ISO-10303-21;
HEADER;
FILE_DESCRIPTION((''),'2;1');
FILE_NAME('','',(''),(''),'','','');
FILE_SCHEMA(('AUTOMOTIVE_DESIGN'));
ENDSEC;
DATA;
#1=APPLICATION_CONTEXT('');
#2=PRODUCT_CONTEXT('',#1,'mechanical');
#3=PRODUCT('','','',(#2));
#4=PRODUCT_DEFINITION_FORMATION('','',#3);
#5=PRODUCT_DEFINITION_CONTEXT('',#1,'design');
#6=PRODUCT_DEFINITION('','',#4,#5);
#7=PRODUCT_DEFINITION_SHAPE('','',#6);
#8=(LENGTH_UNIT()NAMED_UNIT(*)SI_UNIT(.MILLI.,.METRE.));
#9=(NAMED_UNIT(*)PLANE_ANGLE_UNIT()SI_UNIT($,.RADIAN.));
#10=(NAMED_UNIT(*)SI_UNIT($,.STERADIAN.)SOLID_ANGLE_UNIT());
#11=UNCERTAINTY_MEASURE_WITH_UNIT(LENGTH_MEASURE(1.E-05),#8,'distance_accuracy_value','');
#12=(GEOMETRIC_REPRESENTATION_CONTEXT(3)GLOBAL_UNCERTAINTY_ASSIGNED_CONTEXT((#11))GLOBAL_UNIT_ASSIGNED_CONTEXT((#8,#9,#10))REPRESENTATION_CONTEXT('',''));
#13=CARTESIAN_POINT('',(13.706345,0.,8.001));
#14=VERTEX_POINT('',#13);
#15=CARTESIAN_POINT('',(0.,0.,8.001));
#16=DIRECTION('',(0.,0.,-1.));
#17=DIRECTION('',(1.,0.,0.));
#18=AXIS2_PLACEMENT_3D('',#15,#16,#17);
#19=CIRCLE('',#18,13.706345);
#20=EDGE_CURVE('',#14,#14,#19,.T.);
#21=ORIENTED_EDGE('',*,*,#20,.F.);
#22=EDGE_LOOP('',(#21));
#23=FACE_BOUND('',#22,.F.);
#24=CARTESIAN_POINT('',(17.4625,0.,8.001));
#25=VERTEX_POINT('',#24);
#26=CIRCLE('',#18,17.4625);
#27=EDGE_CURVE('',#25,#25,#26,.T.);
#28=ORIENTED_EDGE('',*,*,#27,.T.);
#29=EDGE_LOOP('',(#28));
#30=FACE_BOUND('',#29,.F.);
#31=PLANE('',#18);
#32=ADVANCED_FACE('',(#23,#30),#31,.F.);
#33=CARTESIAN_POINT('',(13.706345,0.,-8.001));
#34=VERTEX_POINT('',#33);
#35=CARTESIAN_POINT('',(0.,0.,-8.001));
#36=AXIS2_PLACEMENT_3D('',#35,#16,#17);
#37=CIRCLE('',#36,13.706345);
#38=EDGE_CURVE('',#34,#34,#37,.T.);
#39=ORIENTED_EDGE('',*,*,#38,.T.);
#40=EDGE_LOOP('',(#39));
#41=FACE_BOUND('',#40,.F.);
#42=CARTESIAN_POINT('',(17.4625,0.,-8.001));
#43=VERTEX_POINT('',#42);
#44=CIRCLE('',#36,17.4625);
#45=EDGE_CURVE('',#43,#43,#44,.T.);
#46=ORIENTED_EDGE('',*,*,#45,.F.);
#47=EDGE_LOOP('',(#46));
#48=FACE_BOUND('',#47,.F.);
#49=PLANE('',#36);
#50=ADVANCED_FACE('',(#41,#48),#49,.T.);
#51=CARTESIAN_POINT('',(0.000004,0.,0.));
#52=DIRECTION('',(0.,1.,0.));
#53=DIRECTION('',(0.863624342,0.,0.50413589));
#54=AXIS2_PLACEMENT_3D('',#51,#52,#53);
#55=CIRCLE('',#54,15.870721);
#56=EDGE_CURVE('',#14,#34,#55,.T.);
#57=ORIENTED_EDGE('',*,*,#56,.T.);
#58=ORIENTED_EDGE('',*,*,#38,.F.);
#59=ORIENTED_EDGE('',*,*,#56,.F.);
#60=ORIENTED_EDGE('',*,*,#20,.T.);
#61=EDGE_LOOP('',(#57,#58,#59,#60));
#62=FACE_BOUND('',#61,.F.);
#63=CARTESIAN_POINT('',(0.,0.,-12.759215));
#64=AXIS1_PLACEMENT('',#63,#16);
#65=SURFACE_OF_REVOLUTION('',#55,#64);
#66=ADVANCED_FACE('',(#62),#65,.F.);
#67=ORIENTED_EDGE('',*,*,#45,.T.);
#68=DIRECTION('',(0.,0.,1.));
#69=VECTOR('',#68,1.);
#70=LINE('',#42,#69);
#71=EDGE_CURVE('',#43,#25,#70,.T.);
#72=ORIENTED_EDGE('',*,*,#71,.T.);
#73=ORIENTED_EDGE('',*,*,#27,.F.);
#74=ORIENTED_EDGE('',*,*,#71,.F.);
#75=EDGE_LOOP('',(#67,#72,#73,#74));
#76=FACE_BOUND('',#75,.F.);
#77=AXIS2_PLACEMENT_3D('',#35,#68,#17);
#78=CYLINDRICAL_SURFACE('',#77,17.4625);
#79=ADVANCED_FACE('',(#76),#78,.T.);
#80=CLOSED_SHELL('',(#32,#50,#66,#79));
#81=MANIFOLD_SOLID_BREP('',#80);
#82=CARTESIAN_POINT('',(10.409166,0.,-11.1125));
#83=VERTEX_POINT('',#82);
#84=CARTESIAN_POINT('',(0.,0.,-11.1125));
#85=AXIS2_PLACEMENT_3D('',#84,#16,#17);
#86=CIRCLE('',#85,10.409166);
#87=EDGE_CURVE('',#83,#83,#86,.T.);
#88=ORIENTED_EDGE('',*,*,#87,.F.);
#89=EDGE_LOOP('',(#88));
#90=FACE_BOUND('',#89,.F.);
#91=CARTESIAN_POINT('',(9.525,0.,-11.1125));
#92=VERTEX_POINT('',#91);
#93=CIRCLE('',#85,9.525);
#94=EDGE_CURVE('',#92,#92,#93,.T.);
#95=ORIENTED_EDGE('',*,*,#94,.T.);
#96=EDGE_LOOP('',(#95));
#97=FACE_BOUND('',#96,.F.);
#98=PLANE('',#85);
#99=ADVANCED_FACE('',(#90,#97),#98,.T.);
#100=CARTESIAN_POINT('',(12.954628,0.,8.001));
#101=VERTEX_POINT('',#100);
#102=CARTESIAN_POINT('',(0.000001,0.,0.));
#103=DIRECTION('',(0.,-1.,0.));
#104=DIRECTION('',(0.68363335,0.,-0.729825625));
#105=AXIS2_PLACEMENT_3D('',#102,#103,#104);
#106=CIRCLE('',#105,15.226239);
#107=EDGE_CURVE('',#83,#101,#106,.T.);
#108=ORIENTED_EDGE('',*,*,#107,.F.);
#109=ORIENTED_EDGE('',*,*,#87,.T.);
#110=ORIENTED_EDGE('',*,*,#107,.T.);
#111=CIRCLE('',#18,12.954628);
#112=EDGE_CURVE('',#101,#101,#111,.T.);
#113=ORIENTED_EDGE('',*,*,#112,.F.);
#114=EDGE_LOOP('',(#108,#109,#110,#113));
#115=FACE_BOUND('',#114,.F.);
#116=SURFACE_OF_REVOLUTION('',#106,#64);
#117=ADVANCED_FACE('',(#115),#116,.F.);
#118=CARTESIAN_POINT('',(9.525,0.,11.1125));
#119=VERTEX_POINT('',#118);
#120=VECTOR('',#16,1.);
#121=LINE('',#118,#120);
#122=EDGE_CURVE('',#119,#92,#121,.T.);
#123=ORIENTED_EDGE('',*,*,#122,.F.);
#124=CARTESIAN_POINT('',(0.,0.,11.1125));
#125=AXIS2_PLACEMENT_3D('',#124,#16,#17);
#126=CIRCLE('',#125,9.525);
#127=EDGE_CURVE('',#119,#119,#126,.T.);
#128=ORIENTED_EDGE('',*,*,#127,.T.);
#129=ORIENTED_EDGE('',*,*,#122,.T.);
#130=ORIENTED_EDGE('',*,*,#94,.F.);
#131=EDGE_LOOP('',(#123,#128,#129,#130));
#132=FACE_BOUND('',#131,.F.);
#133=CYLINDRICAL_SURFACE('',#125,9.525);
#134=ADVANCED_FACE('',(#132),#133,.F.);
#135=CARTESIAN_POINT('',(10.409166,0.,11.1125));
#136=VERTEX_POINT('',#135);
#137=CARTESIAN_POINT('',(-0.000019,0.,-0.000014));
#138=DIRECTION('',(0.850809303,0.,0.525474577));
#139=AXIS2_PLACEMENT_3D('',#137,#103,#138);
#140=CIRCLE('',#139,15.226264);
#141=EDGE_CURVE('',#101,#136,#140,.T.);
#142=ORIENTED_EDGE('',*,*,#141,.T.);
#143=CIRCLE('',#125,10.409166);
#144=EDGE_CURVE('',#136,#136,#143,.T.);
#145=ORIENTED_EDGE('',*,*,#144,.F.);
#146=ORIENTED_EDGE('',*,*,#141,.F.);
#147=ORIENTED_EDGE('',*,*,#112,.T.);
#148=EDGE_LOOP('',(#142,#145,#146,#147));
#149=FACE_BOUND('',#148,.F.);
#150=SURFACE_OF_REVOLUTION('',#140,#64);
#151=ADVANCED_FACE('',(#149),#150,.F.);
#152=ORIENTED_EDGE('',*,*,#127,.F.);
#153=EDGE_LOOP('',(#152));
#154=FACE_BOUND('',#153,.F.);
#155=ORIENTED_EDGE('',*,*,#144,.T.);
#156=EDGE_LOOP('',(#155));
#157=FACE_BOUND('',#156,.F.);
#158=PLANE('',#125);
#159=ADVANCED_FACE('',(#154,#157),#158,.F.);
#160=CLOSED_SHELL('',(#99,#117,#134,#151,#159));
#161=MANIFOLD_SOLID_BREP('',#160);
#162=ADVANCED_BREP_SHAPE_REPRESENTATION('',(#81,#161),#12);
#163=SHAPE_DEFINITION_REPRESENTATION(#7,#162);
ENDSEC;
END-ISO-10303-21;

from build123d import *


with BuildPart() as f1:
    # F0 (on Front) → F1 (revolve)
    with BuildSketch(Plane.XZ):
        with BuildLine():
            Line((10.409166, 11.1125), (9.525, 11.1125))
            Line((9.525, 11.1125), (9.525, -11.1125))
            Line((9.525, -11.1125), (10.409166, -11.1125))
            ThreePointArc((10.409166, -11.1125), (15.092985, -2.010025), (12.954628, 8.001))
            ThreePointArc((12.954628, 8.001), (11.785036, 9.641126), (10.409166, 11.1125))
        make_face()
        with BuildLine():
            Line((17.4625, -8.001), (17.4625, 8.001))
            Line((17.4625, 8.001), (13.706345, 8.001))
            ThreePointArc((13.706345, 8.001), (15.870725, 0), (13.706345, -8.001))
            Line((13.706345, -8.001), (17.4625, -8.001))
        make_face()
    revolve(axis=Axis((0, 0, -12.759215), (0, 0, -1)))


solid = f1.part
